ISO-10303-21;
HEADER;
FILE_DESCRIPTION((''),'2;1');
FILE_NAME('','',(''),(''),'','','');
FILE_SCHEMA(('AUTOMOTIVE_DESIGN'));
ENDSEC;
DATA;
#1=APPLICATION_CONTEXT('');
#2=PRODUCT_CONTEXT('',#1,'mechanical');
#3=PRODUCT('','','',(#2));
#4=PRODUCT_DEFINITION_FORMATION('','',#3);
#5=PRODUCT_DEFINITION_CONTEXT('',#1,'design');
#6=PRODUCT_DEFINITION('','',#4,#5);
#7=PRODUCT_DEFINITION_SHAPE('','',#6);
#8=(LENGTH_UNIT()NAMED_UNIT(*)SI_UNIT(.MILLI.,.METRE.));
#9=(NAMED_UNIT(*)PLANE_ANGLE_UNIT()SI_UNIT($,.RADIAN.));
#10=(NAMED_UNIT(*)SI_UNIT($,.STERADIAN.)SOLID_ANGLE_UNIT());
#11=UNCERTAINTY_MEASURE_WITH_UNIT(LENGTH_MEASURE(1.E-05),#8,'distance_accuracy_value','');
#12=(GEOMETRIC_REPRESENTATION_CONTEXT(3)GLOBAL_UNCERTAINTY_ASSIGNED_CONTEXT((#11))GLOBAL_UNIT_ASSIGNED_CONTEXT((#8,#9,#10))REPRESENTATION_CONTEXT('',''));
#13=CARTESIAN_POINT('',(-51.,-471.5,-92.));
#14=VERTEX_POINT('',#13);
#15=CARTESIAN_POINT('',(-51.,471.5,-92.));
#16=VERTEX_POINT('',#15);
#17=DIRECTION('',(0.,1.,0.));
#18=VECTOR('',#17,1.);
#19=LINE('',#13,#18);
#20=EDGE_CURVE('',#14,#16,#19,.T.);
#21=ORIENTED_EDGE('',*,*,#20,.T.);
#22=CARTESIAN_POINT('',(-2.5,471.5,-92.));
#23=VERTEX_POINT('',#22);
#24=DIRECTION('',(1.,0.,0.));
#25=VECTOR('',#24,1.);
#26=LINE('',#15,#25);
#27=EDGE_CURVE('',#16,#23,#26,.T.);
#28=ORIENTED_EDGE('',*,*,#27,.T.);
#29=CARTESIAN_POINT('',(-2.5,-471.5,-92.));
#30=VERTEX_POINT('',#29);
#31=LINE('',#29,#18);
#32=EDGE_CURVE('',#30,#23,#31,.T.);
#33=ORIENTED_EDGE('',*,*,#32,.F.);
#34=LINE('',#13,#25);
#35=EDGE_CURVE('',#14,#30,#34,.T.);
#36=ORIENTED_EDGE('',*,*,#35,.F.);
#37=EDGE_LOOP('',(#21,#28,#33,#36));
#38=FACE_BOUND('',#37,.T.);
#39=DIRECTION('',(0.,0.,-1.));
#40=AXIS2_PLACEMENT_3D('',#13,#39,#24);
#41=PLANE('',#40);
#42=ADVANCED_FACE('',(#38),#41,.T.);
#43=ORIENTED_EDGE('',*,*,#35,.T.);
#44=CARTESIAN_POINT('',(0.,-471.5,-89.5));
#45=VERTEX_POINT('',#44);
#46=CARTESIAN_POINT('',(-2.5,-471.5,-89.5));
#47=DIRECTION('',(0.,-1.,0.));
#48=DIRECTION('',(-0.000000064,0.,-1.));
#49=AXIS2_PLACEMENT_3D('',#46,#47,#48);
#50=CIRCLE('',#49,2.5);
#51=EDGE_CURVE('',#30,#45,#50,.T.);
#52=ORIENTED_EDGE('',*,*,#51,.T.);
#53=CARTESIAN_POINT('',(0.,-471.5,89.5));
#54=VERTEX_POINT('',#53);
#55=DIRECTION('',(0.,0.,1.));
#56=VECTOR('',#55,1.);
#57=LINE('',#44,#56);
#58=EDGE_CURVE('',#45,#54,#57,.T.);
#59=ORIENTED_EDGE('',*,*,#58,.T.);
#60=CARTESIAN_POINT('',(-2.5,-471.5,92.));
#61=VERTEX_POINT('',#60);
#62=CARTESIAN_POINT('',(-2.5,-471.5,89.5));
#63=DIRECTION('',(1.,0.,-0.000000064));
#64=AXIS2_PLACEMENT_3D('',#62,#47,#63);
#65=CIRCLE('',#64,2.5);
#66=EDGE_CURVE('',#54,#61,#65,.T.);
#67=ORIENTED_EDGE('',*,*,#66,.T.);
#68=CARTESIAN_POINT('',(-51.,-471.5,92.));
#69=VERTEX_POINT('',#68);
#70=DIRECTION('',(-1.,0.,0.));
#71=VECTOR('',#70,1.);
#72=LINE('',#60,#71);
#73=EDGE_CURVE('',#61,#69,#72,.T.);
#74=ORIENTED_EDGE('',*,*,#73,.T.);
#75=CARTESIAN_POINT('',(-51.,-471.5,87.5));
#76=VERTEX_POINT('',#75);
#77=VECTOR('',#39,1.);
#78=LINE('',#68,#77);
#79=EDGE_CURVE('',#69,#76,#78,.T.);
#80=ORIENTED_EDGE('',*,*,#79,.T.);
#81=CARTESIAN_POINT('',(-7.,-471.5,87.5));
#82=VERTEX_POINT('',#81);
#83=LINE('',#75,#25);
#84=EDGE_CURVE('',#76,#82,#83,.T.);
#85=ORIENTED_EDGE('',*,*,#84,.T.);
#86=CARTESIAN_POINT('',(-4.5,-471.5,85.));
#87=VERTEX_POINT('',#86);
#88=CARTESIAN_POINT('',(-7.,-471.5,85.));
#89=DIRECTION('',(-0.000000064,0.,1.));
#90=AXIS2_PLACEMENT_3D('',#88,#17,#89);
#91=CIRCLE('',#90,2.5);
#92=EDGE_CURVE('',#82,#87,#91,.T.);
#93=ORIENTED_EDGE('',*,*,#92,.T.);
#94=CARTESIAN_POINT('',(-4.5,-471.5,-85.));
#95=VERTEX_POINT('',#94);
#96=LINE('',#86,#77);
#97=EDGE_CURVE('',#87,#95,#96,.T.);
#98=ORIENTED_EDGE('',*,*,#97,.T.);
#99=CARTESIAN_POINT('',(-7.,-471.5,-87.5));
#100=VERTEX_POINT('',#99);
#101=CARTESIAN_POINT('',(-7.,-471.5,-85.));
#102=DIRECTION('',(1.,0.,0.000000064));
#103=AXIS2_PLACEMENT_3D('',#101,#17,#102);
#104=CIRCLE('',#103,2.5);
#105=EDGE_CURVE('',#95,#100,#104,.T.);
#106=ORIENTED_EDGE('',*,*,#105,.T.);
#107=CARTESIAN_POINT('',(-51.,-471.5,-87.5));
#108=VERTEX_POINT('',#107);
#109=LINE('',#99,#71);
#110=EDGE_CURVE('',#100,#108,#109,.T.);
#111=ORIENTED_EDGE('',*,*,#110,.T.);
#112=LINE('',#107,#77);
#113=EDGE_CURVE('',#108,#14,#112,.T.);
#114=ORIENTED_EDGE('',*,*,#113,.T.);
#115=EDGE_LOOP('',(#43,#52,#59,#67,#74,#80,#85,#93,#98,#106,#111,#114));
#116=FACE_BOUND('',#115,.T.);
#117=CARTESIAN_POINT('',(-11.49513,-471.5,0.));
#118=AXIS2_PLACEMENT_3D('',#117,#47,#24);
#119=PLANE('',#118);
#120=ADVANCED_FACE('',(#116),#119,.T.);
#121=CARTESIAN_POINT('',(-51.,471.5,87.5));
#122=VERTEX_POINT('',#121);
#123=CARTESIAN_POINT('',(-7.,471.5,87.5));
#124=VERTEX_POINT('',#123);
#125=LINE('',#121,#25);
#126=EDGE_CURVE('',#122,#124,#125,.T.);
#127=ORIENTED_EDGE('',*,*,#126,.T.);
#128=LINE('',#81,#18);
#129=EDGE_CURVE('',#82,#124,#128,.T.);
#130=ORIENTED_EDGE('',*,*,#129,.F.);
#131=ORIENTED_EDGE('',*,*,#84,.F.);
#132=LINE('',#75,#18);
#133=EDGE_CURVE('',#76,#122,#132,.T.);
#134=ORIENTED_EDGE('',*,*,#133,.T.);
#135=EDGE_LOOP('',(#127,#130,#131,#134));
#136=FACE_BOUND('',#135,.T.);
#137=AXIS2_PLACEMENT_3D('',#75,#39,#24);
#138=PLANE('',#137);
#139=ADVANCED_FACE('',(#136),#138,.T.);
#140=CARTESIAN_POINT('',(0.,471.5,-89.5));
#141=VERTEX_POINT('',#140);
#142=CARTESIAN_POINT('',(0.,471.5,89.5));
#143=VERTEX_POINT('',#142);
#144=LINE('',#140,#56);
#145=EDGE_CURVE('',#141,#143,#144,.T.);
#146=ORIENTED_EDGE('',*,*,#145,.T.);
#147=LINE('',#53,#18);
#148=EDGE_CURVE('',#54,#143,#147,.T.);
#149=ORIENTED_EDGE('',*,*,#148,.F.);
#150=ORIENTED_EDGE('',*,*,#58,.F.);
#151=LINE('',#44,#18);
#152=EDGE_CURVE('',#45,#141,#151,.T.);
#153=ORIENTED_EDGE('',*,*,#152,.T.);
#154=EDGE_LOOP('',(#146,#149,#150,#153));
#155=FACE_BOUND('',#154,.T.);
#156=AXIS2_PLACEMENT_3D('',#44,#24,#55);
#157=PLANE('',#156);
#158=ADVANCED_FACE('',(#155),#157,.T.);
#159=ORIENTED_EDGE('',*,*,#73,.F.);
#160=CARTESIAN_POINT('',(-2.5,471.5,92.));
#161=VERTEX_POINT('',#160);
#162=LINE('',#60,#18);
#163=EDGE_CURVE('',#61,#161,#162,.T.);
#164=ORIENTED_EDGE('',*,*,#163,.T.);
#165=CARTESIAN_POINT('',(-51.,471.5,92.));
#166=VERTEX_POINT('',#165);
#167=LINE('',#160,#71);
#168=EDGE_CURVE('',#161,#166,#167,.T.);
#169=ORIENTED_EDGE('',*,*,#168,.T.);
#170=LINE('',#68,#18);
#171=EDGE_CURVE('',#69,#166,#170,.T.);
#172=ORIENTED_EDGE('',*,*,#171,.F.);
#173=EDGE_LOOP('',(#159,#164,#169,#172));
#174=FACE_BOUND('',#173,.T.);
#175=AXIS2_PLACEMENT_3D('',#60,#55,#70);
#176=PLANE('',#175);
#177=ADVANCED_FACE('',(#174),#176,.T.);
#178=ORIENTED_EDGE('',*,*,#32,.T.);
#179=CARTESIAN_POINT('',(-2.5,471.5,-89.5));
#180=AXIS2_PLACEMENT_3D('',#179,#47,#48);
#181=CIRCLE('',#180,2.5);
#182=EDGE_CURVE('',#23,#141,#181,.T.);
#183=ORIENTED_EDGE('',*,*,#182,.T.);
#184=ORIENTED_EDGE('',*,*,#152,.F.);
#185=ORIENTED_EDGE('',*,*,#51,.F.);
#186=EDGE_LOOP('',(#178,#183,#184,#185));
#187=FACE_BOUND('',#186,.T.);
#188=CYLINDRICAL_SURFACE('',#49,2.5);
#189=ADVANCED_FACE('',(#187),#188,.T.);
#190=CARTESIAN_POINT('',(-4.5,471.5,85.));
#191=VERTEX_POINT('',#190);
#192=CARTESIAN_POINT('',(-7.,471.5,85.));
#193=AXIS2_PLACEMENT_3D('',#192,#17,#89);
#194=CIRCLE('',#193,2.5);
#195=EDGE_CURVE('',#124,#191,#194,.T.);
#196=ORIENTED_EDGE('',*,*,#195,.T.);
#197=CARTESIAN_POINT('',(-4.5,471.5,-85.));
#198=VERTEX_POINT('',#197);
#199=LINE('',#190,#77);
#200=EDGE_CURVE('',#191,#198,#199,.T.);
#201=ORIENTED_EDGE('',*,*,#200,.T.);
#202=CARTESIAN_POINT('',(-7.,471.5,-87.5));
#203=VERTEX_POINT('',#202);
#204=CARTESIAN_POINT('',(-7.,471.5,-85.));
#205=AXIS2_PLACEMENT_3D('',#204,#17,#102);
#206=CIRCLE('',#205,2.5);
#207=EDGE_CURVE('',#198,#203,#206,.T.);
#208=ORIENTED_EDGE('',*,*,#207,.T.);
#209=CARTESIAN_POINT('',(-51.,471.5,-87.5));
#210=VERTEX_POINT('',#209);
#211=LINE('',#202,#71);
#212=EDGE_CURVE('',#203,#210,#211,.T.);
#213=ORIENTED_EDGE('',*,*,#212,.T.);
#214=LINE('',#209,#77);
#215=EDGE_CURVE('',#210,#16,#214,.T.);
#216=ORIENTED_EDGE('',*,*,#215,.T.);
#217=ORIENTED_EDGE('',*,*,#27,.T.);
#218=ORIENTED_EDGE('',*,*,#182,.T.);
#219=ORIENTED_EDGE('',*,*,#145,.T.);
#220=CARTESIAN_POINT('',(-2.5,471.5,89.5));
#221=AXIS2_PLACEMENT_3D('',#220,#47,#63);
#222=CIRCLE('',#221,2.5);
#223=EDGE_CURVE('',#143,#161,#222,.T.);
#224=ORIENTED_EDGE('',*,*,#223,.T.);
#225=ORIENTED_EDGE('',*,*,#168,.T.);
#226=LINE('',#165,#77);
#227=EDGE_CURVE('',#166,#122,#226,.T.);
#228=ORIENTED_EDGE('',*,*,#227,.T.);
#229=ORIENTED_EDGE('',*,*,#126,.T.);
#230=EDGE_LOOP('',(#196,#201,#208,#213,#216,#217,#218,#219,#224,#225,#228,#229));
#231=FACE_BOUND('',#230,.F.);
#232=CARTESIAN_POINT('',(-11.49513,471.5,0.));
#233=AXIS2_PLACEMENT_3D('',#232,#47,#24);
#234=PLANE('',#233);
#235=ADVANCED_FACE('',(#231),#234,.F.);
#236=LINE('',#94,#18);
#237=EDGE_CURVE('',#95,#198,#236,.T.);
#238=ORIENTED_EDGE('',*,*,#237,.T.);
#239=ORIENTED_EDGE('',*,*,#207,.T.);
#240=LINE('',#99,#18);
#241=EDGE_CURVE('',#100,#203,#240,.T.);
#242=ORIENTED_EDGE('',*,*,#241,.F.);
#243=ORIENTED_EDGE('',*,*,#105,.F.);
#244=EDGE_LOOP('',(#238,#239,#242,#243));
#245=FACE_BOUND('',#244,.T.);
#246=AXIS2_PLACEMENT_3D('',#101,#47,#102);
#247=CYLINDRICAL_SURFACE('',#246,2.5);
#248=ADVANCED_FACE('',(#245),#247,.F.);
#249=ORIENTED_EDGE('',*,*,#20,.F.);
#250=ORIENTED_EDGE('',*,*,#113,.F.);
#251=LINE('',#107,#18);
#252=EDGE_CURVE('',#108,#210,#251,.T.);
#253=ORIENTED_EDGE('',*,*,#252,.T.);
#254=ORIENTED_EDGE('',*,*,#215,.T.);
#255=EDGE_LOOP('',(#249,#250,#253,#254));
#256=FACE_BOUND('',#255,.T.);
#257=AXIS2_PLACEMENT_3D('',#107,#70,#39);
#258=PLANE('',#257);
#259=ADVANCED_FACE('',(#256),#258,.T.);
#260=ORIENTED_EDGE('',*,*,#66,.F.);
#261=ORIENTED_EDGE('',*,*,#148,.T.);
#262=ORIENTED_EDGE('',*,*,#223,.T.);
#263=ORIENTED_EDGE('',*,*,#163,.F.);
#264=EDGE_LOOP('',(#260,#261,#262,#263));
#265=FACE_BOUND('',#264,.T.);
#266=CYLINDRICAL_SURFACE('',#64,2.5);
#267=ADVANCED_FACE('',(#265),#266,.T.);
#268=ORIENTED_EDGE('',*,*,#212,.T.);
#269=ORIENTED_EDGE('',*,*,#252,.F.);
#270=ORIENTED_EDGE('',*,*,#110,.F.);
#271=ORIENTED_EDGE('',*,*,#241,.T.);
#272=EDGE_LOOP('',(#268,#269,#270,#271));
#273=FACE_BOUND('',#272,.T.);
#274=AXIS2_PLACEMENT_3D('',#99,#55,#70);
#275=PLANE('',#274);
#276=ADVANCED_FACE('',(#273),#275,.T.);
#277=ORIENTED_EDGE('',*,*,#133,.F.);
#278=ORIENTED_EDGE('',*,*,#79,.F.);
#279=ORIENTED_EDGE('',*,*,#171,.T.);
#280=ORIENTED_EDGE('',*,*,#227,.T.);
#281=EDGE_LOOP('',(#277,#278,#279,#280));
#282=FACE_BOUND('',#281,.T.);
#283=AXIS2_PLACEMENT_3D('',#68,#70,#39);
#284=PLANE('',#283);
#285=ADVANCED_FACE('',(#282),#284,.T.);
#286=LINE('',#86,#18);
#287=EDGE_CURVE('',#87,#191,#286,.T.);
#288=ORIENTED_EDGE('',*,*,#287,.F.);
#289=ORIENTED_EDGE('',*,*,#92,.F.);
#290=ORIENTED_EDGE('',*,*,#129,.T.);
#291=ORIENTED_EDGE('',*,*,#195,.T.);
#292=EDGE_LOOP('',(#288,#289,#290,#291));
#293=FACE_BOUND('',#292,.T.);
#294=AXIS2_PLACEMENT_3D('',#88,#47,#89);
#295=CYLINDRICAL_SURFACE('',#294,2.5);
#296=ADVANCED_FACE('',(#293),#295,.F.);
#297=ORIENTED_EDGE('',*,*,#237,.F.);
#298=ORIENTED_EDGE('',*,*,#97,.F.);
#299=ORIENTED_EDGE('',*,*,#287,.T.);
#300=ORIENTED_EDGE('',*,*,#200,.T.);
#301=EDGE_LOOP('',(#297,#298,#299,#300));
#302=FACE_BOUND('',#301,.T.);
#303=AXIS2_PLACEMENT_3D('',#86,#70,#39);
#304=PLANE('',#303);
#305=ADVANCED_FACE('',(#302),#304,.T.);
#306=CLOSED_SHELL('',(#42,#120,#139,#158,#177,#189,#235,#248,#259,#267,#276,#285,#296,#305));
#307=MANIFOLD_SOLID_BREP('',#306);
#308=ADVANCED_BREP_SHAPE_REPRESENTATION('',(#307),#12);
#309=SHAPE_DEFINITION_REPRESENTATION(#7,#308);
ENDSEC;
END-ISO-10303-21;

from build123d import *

# Parameters (mm, degrees)
F3_DEPTH = 943


with BuildPart() as f3:
    # F2 (on face) → F3 (new body, through all)
    with BuildSketch(Plane.XZ.offset(471.5)):
        with BuildLine():
            ThreePointArc((-2.5, -92), (-0.732233, -91.267767), (0, -89.5))
            Line((0, -89.5), (0, 89.5))
            ThreePointArc((0, 89.5), (-0.732233, 91.267767), (-2.5, 92))
            Line((-2.5, 92), (-51, 92))
            Line((-51, 92), (-51, 87.5))
            Line((-51, 87.5), (-7, 87.5))
            ThreePointArc((-7, 87.5), (-5.232233, 86.767767), (-4.5, 85))
            Line((-4.5, 85), (-4.5, -85))
            ThreePointArc((-4.5, -85), (-5.232233, -86.767767), (-7, -87.5))
            Line((-7, -87.5), (-51, -87.5))
            Line((-51, -87.5), (-51, -92))
            Line((-51, -92), (-2.5, -92))
        make_face()
    extrude(amount=-F3_DEPTH)


solid = f3.part
